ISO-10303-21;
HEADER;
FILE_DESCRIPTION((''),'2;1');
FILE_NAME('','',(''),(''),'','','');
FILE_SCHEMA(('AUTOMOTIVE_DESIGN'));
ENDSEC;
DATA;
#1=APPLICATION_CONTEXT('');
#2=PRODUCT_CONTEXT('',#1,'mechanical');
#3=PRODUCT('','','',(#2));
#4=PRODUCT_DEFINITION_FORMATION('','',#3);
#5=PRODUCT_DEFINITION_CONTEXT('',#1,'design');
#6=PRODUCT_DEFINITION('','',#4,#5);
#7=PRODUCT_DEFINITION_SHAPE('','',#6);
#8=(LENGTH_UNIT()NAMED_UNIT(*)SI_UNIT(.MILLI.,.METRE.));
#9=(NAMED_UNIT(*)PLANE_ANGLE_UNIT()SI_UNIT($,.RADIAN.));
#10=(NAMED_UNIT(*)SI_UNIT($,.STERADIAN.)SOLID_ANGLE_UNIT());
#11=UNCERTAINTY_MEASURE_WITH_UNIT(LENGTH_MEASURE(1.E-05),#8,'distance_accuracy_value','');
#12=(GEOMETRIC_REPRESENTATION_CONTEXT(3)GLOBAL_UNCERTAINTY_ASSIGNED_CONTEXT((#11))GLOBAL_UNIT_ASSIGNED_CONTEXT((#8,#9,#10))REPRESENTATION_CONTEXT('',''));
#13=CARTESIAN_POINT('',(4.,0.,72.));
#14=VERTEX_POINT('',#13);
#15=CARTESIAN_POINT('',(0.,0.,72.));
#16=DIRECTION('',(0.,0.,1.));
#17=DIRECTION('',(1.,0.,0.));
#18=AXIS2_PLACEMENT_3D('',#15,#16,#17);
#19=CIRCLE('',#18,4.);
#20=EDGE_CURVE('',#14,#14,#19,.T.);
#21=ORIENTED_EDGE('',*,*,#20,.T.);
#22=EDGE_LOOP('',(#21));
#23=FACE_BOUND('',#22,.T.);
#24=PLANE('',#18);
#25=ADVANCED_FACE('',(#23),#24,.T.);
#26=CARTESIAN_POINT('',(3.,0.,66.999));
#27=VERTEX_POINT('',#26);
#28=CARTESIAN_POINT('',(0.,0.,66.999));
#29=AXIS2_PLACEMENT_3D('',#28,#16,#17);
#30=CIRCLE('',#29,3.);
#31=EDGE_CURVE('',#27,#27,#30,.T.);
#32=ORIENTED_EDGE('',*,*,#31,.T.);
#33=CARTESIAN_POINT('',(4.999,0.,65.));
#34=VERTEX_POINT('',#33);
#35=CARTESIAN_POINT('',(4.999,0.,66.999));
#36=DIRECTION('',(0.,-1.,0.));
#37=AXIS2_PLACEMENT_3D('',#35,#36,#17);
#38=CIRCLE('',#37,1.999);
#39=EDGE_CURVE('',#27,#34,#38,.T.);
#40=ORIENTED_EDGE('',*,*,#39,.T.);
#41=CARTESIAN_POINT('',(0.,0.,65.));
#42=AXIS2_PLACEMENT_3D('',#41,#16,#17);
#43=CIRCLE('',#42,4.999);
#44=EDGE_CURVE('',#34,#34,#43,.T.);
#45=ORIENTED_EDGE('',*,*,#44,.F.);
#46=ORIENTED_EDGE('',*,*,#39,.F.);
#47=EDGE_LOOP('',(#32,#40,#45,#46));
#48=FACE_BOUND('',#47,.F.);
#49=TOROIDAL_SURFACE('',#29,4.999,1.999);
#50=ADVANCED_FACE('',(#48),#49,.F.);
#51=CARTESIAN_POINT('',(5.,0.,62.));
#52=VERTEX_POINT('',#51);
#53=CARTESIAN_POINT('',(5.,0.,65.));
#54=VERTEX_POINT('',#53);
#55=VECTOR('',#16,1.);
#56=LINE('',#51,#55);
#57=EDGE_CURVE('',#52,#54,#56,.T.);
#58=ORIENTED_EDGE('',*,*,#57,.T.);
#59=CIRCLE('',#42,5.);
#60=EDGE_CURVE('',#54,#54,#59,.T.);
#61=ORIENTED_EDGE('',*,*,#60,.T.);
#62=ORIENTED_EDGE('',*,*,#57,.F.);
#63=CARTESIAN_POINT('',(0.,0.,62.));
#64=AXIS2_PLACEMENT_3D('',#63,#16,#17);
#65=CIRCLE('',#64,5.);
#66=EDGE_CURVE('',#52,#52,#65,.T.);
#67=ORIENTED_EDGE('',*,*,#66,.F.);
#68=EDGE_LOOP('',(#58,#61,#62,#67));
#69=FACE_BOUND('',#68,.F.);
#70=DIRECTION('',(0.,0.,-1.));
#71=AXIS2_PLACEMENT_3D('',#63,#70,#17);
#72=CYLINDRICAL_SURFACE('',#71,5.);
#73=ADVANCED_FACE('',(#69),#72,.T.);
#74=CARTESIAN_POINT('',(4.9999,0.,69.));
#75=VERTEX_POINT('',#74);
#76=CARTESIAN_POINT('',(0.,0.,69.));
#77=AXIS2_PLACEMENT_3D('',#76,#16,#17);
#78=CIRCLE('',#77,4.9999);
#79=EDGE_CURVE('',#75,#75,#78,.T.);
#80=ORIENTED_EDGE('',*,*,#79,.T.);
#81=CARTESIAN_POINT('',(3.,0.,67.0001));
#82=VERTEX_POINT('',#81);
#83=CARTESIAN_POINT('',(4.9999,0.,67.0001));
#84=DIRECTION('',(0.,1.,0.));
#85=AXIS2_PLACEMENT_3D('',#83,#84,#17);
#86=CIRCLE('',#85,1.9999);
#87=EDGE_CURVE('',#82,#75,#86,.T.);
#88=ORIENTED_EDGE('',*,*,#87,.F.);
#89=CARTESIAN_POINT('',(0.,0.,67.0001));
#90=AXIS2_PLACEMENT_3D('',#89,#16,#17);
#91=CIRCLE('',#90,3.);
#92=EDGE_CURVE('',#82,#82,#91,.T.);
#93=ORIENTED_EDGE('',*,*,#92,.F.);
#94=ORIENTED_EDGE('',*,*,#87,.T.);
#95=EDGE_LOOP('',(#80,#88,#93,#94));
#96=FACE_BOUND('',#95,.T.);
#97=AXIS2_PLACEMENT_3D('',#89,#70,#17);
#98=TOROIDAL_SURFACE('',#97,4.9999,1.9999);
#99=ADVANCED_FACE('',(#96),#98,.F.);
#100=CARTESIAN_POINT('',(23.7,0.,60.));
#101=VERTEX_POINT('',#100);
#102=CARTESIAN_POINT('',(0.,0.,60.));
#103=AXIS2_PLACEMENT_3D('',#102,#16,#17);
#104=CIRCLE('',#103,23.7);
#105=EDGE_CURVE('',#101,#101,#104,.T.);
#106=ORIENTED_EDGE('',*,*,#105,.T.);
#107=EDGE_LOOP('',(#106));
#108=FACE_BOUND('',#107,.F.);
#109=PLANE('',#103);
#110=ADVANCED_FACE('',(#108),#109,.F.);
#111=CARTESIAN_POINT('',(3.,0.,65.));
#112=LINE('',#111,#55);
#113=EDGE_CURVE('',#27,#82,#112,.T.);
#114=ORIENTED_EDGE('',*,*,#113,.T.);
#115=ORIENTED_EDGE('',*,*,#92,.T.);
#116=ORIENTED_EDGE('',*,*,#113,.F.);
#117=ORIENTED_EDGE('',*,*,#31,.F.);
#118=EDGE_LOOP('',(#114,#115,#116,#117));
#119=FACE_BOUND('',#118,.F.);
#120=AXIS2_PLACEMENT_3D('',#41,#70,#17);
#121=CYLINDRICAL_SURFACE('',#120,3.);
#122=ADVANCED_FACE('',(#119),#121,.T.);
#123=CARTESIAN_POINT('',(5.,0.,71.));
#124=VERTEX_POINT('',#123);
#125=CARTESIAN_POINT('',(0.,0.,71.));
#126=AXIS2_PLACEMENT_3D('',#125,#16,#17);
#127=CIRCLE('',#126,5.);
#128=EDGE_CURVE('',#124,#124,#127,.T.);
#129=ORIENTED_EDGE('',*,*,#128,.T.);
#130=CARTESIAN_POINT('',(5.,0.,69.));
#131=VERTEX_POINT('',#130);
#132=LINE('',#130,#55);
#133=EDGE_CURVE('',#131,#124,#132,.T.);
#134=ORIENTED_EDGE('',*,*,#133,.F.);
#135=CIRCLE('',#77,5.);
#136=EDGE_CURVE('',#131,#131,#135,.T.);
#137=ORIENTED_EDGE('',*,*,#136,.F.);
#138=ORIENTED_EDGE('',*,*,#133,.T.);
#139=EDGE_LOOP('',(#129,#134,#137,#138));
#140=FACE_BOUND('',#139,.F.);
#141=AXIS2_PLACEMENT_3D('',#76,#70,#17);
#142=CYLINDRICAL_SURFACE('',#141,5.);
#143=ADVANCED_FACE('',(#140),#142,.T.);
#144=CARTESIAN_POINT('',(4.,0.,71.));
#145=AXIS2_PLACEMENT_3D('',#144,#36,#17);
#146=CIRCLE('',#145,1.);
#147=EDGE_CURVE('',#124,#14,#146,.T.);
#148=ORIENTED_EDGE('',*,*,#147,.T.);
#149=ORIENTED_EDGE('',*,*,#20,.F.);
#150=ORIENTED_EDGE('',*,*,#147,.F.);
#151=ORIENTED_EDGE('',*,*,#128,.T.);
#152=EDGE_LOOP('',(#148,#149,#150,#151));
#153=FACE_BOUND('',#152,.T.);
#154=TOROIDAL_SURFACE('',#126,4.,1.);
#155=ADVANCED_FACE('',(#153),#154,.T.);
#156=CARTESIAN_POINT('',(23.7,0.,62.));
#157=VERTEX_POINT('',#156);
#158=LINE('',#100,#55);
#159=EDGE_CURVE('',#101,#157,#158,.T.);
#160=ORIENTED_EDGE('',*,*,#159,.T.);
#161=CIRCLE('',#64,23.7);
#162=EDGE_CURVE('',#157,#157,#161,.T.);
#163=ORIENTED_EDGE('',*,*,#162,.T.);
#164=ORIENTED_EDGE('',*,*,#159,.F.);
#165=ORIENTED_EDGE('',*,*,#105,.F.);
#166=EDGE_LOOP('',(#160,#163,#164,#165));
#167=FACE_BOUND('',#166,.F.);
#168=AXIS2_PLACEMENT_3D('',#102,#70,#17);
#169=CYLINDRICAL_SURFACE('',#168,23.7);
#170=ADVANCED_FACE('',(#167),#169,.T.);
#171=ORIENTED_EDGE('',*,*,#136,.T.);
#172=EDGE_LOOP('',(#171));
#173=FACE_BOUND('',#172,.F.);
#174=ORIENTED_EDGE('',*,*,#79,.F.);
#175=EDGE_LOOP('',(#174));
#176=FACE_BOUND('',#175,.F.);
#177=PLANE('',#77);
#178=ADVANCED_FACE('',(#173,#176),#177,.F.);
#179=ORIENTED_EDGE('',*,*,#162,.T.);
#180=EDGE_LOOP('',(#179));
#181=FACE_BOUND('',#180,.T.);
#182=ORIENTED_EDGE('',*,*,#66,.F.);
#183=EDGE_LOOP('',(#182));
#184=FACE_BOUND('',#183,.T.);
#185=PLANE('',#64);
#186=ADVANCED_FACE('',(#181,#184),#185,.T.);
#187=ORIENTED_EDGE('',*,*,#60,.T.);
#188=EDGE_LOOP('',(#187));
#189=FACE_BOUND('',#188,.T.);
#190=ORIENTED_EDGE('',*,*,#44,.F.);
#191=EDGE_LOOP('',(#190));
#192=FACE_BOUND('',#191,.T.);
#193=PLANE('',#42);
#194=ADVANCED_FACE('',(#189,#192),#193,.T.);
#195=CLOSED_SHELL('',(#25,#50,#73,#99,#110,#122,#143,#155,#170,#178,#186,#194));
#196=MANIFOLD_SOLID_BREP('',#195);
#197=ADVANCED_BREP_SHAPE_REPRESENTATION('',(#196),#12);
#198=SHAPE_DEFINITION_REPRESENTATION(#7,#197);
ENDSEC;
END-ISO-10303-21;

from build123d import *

# Parameters (mm, degrees)
SKETCH045_R  = 23.7
PAD019_DEPTH = 2
SKETCH046_R  = 5
PAD020_DEPTH = 3
SKETCH047_R  = 3
PAD021_DEPTH = 4
SKETCH048_R  = 5
PAD022_DEPTH = 3
FILLET_R     = 1.999
FILLET001_R  = 1.9999
FILLET002_R  = 1


with BuildPart() as part:
    # Sketch045 (on Face1 of CopyPocket022) → Pad019 (new body)
    with BuildSketch(Plane.XY.offset(60)):
        Circle(SKETCH045_R)
    extrude(amount=PAD019_DEPTH)

    # Sketch046 (on Face3 of Pad019) → Pad020 (join)
    with BuildSketch(Plane.XY.offset(62)):
        Circle(SKETCH046_R)
    extrude(amount=PAD020_DEPTH)

    # Sketch047 (on Face5 of Pad020) → Pad021 (join)
    with BuildSketch(Plane.XY.offset(65)):
        Circle(SKETCH047_R)
    extrude(amount=PAD021_DEPTH)

    # Sketch048 (on Face7 of Pad021) → Pad022 (join)
    with BuildSketch(Plane.XY.offset(69)):
        Circle(SKETCH048_R)
    extrude(amount=PAD022_DEPTH)

    # Fillet
    fillet_edges = [part.edges().sort_by_distance(p)[0] for p in [
        (-3, 0, 65),
    ]]
    fillet(fillet_edges, radius=FILLET_R)

    # Fillet001
    fillet001_edges = [part.edges().sort_by_distance(p)[0] for p in [
        (-3, 0, 69),
    ]]
    fillet(fillet001_edges, radius=FILLET001_R)

    # Fillet002
    fillet002_edges = [part.edges().sort_by_distance(p)[0] for p in [
        (-5, 0, 72),
    ]]
    fillet(fillet002_edges, radius=FILLET002_R)


solid = part.part
